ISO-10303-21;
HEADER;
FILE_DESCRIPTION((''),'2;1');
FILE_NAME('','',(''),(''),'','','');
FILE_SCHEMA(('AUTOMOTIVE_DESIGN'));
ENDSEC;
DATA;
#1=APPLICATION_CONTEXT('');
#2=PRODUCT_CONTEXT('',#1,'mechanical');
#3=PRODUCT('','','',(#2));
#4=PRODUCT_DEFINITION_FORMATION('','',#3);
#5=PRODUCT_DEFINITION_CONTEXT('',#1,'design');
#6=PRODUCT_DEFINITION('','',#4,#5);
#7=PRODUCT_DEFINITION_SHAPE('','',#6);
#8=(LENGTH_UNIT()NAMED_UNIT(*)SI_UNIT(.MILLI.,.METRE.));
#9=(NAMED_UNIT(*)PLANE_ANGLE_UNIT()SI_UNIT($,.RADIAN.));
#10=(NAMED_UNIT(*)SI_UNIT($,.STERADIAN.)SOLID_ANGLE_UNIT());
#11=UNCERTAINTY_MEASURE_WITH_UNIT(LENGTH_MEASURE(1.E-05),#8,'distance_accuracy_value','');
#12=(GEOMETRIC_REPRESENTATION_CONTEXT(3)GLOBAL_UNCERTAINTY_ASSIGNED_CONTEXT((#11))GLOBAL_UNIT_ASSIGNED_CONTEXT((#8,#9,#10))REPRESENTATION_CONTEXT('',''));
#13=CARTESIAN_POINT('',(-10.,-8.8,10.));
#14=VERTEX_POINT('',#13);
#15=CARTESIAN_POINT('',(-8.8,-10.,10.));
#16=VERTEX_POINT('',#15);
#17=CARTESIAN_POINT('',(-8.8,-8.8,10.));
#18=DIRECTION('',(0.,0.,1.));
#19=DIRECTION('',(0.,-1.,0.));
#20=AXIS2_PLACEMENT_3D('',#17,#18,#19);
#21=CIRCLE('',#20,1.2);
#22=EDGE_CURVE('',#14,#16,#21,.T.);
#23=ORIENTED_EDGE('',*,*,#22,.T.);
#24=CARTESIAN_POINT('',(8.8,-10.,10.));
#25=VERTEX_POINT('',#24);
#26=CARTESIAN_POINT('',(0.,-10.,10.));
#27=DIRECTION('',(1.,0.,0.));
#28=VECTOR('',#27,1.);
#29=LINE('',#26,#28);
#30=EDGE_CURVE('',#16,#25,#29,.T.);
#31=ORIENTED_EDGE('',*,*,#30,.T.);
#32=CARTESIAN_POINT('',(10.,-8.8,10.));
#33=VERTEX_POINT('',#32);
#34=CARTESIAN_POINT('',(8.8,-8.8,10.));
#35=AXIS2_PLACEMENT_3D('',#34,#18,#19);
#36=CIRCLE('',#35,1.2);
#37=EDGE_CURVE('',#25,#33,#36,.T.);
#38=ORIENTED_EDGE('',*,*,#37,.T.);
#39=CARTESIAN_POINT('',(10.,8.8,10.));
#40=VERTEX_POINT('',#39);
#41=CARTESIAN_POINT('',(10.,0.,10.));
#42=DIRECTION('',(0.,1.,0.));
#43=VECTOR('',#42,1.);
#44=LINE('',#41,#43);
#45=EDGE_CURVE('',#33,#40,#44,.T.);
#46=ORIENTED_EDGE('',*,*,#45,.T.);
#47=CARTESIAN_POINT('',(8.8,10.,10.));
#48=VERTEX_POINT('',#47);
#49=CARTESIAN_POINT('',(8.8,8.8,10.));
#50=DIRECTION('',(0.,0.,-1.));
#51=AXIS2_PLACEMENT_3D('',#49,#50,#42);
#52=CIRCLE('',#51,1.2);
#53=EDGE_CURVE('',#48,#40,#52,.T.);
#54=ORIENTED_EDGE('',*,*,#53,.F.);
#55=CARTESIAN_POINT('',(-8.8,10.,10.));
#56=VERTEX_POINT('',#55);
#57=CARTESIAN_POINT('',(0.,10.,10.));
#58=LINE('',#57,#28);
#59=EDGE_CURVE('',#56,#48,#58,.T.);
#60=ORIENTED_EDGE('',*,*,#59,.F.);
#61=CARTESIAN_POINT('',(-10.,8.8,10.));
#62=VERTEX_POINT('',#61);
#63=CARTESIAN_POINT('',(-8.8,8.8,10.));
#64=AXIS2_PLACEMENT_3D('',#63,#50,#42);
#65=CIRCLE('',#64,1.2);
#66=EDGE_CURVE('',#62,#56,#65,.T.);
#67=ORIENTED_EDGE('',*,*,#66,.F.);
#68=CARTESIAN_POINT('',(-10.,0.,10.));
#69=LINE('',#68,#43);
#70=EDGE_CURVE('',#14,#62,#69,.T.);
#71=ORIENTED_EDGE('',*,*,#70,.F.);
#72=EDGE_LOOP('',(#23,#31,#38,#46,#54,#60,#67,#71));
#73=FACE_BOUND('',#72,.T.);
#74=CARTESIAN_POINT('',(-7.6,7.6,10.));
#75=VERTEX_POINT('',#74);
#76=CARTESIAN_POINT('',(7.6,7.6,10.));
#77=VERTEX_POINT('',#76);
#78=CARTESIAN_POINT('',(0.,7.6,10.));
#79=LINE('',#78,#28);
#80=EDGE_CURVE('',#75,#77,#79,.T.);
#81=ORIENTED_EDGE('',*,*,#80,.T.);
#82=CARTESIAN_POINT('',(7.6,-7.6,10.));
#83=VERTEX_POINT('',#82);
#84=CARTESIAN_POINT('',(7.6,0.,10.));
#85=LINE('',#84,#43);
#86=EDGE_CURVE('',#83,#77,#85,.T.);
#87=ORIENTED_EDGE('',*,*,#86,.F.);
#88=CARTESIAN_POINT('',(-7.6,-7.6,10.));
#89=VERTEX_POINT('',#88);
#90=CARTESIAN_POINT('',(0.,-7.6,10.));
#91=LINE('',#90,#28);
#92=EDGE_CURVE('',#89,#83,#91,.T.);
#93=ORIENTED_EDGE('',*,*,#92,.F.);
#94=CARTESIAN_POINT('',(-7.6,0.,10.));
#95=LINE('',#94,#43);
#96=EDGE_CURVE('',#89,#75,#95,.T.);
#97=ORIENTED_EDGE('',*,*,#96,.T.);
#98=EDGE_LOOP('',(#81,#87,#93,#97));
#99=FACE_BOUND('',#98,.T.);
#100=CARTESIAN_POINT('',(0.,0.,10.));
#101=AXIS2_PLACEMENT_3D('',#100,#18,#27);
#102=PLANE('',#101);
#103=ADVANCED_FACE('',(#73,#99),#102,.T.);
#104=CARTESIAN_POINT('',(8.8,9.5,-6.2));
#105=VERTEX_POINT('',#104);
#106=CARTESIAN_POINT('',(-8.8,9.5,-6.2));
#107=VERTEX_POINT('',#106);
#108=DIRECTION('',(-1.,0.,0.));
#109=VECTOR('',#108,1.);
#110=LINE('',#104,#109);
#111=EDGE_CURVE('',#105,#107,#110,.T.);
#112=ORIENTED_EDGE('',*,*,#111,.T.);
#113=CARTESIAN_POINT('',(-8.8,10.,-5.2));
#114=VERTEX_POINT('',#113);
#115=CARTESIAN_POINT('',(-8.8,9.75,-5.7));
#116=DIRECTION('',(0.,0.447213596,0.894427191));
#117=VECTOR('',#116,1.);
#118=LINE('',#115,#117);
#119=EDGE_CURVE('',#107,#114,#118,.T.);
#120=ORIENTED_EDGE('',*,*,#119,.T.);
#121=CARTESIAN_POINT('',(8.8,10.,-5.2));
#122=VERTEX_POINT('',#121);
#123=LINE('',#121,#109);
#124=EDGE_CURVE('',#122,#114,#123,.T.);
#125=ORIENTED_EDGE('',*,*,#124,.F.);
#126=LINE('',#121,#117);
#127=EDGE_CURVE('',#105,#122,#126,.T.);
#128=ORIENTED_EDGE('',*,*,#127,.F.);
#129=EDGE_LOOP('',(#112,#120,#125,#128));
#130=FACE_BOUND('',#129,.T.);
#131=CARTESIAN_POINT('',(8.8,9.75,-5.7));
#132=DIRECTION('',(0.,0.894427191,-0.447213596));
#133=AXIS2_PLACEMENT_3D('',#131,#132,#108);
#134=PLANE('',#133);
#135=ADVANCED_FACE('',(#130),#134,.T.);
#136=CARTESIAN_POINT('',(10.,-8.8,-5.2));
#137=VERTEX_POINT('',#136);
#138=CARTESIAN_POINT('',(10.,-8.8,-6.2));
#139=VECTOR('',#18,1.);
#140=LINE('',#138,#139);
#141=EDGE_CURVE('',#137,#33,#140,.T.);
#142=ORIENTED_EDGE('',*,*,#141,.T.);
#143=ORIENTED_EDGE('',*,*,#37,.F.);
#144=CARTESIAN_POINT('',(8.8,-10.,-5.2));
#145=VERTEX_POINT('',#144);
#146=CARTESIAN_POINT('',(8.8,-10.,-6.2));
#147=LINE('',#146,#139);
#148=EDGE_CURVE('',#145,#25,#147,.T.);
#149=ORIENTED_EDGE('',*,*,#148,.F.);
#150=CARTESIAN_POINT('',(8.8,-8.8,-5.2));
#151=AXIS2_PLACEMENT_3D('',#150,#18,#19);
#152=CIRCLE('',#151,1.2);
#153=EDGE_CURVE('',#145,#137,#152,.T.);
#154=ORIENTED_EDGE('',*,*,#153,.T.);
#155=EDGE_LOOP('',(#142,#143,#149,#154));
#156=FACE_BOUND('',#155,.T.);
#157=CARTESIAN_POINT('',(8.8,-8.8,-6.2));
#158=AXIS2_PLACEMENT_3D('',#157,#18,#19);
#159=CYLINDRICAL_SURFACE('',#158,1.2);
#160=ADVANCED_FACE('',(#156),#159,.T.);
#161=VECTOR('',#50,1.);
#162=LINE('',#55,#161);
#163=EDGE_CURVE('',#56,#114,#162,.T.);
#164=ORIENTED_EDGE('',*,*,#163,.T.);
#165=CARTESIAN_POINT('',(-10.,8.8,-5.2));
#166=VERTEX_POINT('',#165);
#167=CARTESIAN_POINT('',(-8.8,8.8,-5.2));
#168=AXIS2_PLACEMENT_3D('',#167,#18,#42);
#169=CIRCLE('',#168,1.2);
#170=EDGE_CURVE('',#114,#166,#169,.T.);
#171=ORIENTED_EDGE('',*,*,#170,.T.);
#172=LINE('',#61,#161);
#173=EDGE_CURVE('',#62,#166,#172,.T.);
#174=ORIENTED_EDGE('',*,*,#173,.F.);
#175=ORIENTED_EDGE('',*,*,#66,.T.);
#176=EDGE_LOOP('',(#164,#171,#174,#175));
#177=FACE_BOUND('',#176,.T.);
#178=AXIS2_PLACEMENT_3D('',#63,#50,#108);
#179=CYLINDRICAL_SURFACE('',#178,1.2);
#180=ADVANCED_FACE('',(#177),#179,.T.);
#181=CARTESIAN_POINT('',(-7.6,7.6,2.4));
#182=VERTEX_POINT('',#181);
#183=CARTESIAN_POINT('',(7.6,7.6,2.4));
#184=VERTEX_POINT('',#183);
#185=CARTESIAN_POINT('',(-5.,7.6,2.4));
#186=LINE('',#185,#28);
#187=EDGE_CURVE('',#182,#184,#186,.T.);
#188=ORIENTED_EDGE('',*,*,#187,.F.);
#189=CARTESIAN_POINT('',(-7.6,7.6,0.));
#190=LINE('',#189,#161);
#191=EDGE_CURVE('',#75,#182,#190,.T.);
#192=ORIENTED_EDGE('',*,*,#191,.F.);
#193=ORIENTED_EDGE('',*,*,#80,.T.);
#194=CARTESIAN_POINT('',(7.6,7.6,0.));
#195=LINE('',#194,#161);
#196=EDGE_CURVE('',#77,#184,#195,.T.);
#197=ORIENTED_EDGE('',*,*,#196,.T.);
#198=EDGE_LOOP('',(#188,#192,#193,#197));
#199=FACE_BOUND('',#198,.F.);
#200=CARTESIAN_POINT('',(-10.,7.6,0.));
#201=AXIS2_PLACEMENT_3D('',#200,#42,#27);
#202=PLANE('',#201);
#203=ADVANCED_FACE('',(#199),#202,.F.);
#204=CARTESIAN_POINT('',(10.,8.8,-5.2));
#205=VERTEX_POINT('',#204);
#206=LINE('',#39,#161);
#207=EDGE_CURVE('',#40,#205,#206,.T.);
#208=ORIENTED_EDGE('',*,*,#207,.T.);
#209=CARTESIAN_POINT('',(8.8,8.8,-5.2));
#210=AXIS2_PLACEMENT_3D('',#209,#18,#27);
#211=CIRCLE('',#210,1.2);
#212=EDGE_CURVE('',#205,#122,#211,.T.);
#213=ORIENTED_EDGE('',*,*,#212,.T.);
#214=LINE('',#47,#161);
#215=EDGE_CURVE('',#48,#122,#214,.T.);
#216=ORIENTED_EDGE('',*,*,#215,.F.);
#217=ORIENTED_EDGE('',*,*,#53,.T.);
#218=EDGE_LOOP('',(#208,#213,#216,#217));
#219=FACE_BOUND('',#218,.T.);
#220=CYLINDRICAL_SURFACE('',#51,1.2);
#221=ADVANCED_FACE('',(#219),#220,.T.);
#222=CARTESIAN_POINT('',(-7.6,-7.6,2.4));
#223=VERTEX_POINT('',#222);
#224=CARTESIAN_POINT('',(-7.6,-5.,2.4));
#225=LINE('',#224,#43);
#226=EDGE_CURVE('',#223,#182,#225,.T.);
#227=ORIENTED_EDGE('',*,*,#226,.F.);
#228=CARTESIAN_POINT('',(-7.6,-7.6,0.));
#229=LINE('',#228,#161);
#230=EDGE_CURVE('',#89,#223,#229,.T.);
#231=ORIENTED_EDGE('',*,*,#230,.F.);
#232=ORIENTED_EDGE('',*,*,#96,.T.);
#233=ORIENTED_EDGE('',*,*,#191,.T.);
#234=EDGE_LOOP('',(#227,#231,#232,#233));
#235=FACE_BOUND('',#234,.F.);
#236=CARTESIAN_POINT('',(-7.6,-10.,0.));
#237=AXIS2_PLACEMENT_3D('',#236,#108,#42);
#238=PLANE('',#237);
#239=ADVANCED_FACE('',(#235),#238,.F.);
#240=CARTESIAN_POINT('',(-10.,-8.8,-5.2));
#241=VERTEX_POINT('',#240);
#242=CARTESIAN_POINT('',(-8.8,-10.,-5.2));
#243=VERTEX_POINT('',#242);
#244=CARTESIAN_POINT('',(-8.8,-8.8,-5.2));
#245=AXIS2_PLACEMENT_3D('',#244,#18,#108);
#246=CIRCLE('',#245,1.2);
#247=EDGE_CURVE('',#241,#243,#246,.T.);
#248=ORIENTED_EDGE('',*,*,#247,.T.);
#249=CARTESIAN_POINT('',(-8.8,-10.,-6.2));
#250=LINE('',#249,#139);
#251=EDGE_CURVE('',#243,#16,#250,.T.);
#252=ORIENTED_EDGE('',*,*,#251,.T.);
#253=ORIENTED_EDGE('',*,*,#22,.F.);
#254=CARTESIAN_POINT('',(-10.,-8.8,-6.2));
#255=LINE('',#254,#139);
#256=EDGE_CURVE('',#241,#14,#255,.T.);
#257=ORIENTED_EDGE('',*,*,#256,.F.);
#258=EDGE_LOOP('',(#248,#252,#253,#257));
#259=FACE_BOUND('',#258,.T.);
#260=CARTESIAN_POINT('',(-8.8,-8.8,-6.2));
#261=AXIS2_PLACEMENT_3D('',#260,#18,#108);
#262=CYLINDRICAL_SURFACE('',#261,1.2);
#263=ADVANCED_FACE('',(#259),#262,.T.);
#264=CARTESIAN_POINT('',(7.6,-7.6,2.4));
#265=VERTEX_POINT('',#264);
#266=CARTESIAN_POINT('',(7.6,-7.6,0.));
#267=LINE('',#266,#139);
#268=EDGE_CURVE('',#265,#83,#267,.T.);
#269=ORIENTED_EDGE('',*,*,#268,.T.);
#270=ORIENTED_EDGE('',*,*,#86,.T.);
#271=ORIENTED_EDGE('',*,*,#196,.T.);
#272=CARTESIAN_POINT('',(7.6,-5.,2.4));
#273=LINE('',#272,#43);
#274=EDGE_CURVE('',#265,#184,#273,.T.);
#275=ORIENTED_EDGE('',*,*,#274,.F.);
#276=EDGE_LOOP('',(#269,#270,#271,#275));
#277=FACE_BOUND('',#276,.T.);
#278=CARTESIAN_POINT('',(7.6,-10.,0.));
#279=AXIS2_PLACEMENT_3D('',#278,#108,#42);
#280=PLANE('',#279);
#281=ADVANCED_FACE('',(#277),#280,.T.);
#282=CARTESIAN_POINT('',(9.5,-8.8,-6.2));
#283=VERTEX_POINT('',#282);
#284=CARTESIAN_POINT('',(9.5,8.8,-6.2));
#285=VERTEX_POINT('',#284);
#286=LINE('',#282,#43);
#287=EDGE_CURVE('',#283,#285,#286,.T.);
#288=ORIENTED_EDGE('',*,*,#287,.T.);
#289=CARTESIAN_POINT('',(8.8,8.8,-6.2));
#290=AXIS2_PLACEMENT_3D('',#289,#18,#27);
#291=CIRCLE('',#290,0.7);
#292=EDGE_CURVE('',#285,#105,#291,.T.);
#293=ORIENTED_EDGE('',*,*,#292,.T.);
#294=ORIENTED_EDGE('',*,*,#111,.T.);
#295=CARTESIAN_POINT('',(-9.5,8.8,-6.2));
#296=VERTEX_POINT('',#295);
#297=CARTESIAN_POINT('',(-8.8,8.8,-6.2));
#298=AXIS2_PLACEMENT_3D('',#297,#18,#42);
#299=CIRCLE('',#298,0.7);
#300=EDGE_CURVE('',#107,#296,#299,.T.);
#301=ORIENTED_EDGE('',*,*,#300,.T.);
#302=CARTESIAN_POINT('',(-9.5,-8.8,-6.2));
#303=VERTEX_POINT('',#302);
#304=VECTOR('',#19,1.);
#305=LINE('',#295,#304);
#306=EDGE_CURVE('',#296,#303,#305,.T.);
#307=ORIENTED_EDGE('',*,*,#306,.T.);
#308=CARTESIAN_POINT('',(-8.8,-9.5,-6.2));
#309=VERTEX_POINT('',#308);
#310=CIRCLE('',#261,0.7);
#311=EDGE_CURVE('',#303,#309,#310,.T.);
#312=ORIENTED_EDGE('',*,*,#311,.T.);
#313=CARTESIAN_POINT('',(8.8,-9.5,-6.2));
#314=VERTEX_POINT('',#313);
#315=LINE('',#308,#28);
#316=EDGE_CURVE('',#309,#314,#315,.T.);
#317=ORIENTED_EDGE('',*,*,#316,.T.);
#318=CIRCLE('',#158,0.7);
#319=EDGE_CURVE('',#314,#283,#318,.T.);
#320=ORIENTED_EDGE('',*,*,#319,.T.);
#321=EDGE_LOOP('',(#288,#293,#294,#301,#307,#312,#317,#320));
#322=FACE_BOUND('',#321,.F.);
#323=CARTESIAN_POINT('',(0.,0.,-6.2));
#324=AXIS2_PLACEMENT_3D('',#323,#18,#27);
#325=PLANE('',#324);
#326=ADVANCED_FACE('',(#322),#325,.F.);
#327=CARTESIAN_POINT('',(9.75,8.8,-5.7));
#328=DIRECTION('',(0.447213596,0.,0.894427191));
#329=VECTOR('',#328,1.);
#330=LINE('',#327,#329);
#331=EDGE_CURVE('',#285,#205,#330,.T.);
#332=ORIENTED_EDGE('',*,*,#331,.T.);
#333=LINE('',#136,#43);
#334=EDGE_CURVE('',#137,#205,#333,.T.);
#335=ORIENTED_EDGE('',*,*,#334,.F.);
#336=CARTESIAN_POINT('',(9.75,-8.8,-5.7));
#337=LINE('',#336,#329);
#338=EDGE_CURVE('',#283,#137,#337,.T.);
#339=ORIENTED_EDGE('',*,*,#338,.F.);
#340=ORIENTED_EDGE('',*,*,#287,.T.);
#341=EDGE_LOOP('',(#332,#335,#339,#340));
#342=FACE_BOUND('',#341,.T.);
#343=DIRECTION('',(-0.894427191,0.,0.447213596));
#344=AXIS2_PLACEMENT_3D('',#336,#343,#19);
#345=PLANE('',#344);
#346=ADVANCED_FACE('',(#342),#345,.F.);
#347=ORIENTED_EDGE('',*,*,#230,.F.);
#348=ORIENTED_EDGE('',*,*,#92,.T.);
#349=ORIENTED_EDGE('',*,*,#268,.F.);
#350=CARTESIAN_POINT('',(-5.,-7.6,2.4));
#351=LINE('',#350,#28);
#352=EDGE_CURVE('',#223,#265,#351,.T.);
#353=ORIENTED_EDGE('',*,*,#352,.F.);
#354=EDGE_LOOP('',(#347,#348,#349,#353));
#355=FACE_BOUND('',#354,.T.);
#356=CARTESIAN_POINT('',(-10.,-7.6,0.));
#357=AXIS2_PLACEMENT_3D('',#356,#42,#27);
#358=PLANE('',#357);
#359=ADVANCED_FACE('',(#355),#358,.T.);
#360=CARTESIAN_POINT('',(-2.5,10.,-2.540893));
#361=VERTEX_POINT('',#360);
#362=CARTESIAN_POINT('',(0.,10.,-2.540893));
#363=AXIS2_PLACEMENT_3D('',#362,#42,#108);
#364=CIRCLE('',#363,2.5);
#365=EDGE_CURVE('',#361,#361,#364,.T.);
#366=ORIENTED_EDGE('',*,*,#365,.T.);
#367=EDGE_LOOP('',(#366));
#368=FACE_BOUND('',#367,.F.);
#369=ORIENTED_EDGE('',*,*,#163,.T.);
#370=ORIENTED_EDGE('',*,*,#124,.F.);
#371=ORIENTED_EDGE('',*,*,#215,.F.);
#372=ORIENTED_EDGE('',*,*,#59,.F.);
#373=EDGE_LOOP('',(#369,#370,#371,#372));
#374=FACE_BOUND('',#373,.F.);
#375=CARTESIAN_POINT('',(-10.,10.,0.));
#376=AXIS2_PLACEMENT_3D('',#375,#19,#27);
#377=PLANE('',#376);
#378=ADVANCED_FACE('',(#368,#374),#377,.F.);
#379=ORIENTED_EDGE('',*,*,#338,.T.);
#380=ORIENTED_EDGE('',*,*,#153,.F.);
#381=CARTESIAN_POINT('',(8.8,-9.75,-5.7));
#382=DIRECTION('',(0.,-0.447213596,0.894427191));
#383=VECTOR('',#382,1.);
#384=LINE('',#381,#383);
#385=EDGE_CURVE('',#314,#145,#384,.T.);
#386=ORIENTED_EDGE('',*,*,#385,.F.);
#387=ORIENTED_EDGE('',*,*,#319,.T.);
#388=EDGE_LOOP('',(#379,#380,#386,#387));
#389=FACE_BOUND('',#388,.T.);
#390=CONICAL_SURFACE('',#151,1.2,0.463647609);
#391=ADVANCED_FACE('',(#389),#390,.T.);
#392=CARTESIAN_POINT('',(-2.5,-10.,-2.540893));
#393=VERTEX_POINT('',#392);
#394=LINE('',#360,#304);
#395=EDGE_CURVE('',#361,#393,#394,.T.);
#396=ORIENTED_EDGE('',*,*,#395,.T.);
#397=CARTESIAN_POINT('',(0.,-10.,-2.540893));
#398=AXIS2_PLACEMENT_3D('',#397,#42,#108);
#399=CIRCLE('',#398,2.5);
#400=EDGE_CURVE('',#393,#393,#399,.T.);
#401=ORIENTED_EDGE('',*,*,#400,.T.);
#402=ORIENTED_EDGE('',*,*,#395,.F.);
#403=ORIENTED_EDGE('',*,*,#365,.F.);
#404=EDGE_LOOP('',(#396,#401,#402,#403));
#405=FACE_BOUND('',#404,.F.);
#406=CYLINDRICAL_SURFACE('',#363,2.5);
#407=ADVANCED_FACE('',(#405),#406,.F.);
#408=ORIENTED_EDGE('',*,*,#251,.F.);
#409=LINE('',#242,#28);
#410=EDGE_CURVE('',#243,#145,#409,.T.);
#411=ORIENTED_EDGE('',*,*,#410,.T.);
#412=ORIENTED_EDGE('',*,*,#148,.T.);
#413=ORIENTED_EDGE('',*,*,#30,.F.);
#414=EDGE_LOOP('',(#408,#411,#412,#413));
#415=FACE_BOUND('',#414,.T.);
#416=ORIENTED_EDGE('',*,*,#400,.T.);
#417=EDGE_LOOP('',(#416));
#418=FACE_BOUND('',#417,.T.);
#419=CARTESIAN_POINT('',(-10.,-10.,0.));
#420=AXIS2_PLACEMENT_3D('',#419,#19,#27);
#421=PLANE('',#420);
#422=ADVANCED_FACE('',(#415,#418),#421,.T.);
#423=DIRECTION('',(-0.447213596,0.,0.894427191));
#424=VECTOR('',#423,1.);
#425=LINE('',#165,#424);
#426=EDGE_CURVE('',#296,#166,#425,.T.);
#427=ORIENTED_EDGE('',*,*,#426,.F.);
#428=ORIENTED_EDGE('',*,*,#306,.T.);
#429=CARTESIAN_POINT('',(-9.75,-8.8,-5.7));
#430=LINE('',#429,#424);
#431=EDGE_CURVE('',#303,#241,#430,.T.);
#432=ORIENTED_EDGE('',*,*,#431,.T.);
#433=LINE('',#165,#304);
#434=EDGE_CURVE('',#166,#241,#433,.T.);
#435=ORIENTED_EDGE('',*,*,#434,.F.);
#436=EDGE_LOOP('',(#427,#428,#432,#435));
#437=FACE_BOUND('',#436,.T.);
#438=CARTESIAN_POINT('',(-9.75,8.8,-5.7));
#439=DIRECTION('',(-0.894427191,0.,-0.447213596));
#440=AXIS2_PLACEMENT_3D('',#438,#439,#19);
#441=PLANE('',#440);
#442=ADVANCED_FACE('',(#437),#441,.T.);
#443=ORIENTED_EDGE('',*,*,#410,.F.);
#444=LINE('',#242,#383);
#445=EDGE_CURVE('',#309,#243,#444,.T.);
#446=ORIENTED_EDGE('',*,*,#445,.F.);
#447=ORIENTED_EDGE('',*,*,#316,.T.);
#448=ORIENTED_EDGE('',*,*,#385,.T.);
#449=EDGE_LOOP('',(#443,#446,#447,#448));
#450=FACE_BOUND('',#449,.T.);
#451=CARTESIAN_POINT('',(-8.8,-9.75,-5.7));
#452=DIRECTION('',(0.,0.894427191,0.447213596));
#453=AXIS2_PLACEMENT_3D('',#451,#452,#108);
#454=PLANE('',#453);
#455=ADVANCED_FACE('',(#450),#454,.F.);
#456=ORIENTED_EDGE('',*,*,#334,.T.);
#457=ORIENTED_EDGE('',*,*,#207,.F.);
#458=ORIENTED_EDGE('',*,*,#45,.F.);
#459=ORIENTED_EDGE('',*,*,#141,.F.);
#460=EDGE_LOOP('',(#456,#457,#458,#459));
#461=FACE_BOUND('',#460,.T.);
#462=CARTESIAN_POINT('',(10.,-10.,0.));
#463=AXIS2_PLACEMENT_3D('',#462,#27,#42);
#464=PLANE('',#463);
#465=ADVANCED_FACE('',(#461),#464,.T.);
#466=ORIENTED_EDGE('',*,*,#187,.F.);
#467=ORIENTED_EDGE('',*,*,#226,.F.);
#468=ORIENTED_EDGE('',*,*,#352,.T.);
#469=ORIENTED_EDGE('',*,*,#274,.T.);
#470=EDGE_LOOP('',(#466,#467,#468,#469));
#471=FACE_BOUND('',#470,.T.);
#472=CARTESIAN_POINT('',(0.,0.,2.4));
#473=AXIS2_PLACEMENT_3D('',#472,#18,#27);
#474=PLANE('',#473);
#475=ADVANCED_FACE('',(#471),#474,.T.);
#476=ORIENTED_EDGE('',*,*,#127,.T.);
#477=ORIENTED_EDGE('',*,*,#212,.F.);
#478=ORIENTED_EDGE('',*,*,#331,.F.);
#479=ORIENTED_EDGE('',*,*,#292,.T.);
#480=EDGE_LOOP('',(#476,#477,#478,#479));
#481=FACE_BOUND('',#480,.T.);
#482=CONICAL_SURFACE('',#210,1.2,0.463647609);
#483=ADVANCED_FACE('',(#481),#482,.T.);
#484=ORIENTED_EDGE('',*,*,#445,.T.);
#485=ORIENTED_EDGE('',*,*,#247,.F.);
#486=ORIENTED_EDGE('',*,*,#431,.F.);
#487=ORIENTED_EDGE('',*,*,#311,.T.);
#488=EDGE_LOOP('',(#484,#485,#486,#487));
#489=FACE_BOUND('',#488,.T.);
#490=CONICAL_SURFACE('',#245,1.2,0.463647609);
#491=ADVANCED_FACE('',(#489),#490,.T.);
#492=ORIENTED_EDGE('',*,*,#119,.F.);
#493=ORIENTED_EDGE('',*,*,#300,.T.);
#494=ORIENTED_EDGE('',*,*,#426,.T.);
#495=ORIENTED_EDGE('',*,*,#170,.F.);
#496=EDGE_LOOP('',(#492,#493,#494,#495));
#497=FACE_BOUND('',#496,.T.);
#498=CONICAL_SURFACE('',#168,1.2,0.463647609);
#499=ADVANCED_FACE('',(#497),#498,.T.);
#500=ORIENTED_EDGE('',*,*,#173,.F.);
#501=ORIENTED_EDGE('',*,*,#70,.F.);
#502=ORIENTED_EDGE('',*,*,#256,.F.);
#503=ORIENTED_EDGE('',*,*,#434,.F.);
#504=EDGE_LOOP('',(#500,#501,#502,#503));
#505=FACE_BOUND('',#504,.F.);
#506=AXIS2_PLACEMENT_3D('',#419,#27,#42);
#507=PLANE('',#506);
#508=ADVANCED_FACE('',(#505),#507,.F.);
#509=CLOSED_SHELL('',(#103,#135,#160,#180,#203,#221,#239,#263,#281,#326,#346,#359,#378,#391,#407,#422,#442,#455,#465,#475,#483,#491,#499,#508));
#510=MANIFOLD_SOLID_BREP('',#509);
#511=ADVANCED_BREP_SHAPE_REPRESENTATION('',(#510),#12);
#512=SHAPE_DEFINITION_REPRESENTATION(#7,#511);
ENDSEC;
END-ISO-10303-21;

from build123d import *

# Parameters (mm, degrees)
F0_W     = 20
F0_H     = 20
F0_W_2   = 15.2
F0_H_2   = 15.2
F1_DEPTH = 10
F2_T     = -2.4
F3_DEPTH = 6.2
F4_R     = 2.5
F5_DEPTH = 20.001
F6_R     = 1.2
F7_SIZE2 = 1
F7_SIZE  = 0.5


with BuildPart() as f1:
    # F0 (on Top) → F1 (new body)
    with BuildSketch(Plane.XY):
        Rectangle(F0_W, F0_H)
        Rectangle(F0_W_2, F0_H_2, mode=Mode.SUBTRACT)
        Rectangle(F0_W_2, F0_H_2)
    extrude(amount=F1_DEPTH)

    # F2
    f2_openings = [f1.faces().sort_by_distance(p)[0] for p in [
        (0, 0, 10),
    ]]
    offset(amount=F2_T, openings=f2_openings)

    # F3 (add): a face of the model
    f3_faces = [f1.faces().sort_by_distance(p)[0] for p in [
        (0, 0, 0),
    ]]
    extrude(f3_faces, amount=F3_DEPTH)

    # F4 (on face) → F5 (cut, through all)
    with BuildSketch(Plane(origin=(0, 10, 0), x_dir=(-1, 0, 0), z_dir=(0, 1, 0))):
        with Locations((0, -2.5408927461)):
            Circle(F4_R)
    extrude(amount=-F5_DEPTH, mode=Mode.SUBTRACT)

    # F6
    f6_edges = [f1.edges().sort_by_distance(p)[0] for p in [
        (-10, 10, 1.9),
        (10, 10, 1.9),
        (10, -10, 1.9),
        (-10, -10, 1.9),
    ]]
    fillet(f6_edges, radius=F6_R)

    # F7
    f7_edges = [f1.edges().sort_by_distance(p)[0] for p in [
        (10, 0, -6.2),
        (9.648528, -9.648528, -6.2),
        (9.648528, 9.648528, -6.2),
        (0, -10, -6.2),
        (0, 10, -6.2),
        (-9.648528, -9.648528, -6.2),
        (-9.648528, 9.648528, -6.2),
        (-10, 0, -6.2),
    ]]
    f7_side = f1.faces().sort_by_distance((0, 0, -6.2))[0]
    chamfer(f7_edges, length=F7_SIZE, length2=F7_SIZE2, reference=f7_side)


solid = f1.part
